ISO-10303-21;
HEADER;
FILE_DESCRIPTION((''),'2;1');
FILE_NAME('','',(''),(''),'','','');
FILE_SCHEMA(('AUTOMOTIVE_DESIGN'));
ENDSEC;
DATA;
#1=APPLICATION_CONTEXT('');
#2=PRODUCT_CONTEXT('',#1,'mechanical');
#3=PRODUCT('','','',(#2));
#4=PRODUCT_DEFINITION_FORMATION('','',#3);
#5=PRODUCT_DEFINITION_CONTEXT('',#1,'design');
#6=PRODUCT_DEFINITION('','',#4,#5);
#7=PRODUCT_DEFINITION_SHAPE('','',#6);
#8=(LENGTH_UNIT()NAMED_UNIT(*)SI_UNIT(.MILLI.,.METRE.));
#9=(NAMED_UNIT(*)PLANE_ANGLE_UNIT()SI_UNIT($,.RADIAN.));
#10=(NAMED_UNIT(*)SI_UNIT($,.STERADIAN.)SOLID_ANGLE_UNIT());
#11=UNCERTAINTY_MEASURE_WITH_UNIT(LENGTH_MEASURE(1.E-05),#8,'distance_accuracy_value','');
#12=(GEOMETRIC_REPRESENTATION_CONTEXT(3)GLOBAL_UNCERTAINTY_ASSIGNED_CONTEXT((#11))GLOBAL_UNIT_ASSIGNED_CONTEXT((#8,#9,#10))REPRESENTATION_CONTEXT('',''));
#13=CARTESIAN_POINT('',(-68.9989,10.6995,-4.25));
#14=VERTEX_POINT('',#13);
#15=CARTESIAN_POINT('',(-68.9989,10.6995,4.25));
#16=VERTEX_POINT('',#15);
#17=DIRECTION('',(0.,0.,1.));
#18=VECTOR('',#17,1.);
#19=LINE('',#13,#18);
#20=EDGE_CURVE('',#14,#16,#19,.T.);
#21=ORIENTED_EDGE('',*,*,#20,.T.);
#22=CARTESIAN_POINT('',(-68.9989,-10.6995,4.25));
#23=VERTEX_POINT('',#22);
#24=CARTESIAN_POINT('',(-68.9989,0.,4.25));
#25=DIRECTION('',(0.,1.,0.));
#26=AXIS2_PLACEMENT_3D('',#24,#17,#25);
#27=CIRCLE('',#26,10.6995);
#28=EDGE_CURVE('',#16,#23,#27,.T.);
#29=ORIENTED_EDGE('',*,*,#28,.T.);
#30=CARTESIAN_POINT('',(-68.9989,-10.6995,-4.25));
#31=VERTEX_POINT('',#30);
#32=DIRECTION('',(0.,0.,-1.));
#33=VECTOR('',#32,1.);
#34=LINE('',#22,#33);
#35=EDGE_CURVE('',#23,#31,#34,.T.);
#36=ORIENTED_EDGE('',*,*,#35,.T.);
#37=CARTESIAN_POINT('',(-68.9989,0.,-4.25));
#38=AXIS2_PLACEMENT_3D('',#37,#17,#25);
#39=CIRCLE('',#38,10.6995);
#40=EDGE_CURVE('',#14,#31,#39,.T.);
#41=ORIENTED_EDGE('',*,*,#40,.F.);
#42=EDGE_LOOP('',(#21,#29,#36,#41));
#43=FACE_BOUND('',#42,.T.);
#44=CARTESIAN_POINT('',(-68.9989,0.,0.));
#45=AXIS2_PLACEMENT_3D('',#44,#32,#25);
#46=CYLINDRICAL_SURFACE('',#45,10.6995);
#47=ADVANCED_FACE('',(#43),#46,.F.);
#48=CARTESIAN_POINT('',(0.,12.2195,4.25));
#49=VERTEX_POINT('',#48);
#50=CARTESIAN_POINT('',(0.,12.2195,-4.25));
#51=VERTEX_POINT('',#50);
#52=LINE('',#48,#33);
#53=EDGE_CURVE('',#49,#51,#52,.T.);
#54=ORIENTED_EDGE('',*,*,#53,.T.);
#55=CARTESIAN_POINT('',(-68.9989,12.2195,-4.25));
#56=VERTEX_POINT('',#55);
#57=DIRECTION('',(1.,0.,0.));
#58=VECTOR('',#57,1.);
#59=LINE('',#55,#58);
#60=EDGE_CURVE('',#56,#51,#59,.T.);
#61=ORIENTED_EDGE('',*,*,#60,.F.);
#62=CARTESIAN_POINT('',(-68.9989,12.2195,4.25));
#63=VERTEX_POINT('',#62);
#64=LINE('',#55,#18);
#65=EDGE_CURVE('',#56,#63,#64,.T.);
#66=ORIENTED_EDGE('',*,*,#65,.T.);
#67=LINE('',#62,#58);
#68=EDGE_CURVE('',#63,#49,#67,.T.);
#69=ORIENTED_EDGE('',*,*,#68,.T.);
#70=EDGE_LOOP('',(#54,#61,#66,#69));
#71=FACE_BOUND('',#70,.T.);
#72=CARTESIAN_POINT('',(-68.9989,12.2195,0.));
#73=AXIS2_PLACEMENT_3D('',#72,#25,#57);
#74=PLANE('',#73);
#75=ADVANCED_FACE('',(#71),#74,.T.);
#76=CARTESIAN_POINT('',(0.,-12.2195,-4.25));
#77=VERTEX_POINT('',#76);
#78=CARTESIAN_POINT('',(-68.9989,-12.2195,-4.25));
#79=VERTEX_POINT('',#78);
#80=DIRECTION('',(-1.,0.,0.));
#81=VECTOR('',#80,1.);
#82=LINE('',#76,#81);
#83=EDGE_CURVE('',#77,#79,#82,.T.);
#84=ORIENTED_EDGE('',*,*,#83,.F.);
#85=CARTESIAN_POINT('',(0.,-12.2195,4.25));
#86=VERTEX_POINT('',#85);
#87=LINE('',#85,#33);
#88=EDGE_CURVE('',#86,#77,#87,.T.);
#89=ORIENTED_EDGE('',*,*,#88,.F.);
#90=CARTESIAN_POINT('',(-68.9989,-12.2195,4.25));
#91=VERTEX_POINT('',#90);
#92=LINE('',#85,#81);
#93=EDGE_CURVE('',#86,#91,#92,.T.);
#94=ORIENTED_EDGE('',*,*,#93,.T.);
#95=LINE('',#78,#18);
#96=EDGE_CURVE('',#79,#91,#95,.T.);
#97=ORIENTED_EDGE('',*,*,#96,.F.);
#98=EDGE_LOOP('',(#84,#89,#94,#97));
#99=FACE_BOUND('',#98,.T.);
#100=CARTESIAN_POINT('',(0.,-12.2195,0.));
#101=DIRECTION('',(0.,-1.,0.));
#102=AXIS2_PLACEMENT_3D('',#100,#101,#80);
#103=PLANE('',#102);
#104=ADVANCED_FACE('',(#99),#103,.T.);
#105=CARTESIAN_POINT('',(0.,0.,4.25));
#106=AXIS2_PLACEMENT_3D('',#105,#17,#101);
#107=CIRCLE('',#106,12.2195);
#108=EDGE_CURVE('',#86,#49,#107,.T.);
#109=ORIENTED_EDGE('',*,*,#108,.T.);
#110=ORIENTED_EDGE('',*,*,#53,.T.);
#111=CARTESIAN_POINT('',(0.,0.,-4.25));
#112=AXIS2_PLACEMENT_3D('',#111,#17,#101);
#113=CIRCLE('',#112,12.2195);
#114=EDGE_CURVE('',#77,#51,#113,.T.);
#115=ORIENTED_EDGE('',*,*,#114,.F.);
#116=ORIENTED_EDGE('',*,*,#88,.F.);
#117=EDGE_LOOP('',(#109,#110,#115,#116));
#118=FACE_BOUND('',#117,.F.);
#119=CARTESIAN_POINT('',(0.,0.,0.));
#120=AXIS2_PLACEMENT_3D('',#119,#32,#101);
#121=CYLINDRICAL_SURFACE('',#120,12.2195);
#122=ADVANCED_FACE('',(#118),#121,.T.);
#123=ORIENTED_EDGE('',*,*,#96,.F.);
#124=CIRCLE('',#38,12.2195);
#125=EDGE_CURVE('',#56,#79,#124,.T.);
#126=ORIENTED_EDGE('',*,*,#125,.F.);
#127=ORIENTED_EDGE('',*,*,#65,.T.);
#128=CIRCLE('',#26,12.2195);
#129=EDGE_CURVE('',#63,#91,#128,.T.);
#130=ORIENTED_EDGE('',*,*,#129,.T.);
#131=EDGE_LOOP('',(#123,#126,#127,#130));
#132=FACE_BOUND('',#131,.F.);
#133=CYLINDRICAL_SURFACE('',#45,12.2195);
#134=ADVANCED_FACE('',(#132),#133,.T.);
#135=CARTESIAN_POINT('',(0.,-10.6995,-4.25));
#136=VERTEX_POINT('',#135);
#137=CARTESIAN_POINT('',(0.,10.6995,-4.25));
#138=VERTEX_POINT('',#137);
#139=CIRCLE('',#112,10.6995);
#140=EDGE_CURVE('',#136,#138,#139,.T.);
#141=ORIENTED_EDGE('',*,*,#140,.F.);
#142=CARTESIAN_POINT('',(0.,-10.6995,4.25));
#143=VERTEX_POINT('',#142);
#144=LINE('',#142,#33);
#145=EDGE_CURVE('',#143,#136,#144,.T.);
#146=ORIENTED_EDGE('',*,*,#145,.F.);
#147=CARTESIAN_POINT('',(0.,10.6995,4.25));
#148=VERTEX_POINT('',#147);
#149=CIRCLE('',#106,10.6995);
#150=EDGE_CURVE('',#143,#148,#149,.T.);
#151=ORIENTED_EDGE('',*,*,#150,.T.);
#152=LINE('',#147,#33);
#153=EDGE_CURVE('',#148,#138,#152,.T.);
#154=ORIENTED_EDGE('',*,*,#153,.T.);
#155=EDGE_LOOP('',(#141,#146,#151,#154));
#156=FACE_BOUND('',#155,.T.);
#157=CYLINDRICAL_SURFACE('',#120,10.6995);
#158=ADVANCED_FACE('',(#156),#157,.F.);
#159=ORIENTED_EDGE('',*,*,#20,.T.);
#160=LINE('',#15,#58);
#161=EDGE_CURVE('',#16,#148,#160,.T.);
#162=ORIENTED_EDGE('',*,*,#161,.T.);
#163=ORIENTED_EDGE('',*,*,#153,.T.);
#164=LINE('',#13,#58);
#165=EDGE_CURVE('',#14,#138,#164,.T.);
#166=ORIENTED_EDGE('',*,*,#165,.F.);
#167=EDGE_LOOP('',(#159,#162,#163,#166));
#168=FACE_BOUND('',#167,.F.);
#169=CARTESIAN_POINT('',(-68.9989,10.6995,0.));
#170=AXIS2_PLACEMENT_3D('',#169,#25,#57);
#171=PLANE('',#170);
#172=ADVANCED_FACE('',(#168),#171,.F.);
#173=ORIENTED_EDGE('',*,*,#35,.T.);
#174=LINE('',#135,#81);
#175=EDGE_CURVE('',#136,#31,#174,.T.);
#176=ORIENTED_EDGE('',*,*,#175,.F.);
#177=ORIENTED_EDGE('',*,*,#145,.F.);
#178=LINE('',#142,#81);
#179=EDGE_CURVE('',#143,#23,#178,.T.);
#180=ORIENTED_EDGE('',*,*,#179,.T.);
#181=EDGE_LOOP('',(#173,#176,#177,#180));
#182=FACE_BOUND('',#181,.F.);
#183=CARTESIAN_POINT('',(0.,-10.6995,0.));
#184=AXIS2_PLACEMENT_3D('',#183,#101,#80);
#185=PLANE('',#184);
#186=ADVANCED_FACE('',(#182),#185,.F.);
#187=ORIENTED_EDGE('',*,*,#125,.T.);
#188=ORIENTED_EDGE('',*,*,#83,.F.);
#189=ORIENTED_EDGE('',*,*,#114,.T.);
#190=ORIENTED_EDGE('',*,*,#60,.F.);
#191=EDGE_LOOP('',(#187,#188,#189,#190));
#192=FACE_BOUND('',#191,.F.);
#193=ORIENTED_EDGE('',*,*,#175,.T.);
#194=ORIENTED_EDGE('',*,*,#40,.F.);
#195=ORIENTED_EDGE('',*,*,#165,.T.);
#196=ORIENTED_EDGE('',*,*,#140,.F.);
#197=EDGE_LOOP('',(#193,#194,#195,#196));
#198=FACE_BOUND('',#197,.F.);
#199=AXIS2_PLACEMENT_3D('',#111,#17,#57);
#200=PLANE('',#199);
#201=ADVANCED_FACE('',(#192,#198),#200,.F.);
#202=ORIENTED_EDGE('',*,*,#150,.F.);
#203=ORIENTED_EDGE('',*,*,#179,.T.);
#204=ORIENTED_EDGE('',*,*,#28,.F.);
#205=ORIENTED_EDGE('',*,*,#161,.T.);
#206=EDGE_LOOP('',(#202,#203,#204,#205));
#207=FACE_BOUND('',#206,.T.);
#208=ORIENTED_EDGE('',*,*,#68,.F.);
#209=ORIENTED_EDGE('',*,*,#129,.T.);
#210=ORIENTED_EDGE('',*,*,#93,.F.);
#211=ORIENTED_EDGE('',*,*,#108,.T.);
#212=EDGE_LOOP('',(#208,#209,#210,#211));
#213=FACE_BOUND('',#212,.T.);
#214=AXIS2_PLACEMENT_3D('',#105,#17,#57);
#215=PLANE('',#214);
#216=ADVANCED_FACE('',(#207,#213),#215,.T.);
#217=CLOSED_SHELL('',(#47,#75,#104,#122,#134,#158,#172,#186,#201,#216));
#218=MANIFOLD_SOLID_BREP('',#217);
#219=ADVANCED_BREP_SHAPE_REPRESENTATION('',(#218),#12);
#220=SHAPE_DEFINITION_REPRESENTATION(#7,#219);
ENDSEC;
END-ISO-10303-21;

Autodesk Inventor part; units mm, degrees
ref_plane "YZ Plane" through (0, 0, 0) normal (1, 0, 0) x (0, 1, 0)
ref_plane "XZ Plane" through (0, 0, 0) normal (0, 1, 0) x (-1, 0, 0)
ref_plane "XY Plane" through (0, 0, 0) normal (0, 0, 1) x (1, 0, 0)
sketch "Sketch1" plane through (0, 0, 0) normal (0, 0, 1) x (1, 0, 0)
  arc A0 (0, -11.4595) -> (0, 11.4595) centre (0, 0) ccw construction
  arc A1 (-68.9989, 11.4595) -> (-68.9989, -11.4595) centre (-68.9989, 0) ccw construction
  line L0 (0, -11.4595) -> (-68.9989, -11.4595) construction
  line L1 (0, 11.4595) -> (-68.9989, 11.4595) construction
  dimension "Belt_Teeth" = 70
  dimension "Belt_Pitch2" = 3
  dimension "d0" = 22.919
  dimension "d1" = 22.919
  dimension "d2" = 36.0011
  dimension "d3" = 36.0011
  dimension "Center_Distance" = 68.9989
  dimension "d5" = 68.9989
sketch "Sketch2" plane through (0, 0, 0) normal (0, 0, 1) x (1, 0, 0)
  line L0 (35.7235, 34.2567) -> (38.7235, 34.2567)
  point P0 (0, 0)
  dimension "Belt_Pitch2" = 3
sketch "Sketch4" plane through (0, 0, 0) normal (0, 0, 1) x (1, 0, 0)
  line L0 (-16.1422, -21.869) -> (-14.1422, -21.869)
  line L1 (-16.1422, -21.869) -> (-16.1422, -20.349)
  arc A0 (-15.5872, -20.904) -> (-16.1422, -20.349) centre (-16.1422, -20.904) ccw
  line L2 (-15.5872, -20.904) -> (-15.5872, -20.959)
  arc A1 (-15.5872, -20.959) -> (-15.4372, -21.109) centre (-15.4372, -20.959) ccw
  line L3 (-15.4372, -21.109) -> (-14.8472, -21.109)
  line L4 (-14.1422, -21.869) -> (-14.1422, -20.349)
  arc A2 (-14.1422, -20.349) -> (-14.6972, -20.904) centre (-14.1422, -20.904) ccw
  arc A3 (-14.8472, -21.109) -> (-14.6972, -20.959) centre (-14.8472, -20.959) ccw
  line L5 (-14.6972, -20.959) -> (-14.6972, -20.904)
  line L6 (0, 11.4595) -> (-68.9989, 11.4595) construction
  arc A4 (-68.9989, 11.4595) -> (-68.9989, -11.4595) centre (-68.9989, 0) ccw construction
  line L7 (0, -11.4595) -> (-68.9989, -11.4595) construction
  arc A5 (0, -11.4595) -> (0, 11.4595) centre (0, 0) ccw construction
  arc A6 (-68.9989, 12.2195) -> (-68.9989, -12.2195) centre (-68.9989, 0) ccw
  line L8 (-68.9989, 12.2195) -> (0, 12.2195)
  arc A7 (0, -12.2195) -> (0, 12.2195) centre (0, 0) ccw
  line L9 (0, -12.2195) -> (-68.9989, -12.2195)
  arc A8 (-68.9989, 10.6995) -> (-68.9989, -10.6995) centre (-68.9989, 0) ccw
  line L10 (-68.9989, 10.6995) -> (0, 10.6995)
  arc A9 (0, -10.6995) -> (0, 10.6995) centre (0, 0) ccw
  line L11 (0, -10.6995) -> (-68.9989, -10.6995)
  point P0 (-15.1422, -21.109)
  point P1 (-15.1422, -21.869)
  dimension "d9" = 2
  dimension "d10" = 1.52
  dimension "d11" = 0.76
  dimension "d12" = 0.555
  dimension "d13" = 0.555
  dimension "d14" = 0.15
  dimension "d15" = 0.15
  dimension "belt_thickness" = 1.52
  dimension "d44" = 0.76
extrude "Extrusion2" add sketch "Sketch4" along normal mid plane 8.5 contours L8 A7 L9 A6
sketch "Sketch5" plane through (0, 0, 4.25) normal (0, 0, 1) x (1, 0, 0)
  line L0 (-68.9989, 10.6995) -> (0, 10.6995) construction
  arc A0 (0, -10.6995) -> (0, 10.6995) centre (0, 0) ccw construction
  line L1 (0, -10.6995) -> (-68.9989, -10.6995) construction
  arc A1 (-68.9989, 10.6995) -> (-68.9989, -10.6995) centre (-68.9989, 0) ccw construction
  arc A2 (-68.9989, 12.2195) -> (-68.9989, -12.2195) centre (-68.9989, 0) ccw construction
  line L2 (-68.9989, -12.2195) -> (0, -12.2195) construction
  arc A3 (0, -12.2195) -> (0, 12.2195) centre (0, 0) ccw construction
  line L3 (0, 12.2195) -> (-68.9989, 12.2195) construction
  line L4 (-7.7556, -2.6989) -> (-5.7556, -2.6989)
  line L5 (-7.7556, -2.6989) -> (-7.7556, -1.1789) construction
  arc A4 (-7.2006, -1.7339) -> (-7.7556, -1.1789) centre (-7.7556, -1.7339) ccw
  line L6 (-7.2006, -1.7339) -> (-7.2006, -1.7889)
  arc A5 (-7.2006, -1.7889) -> (-7.0506, -1.9389) centre (-7.0506, -1.7889) ccw
  line L7 (-7.0506, -1.9389) -> (-6.4606, -1.9389)
  line L8 (-5.7556, -2.6989) -> (-5.7556, -1.1789)
  arc A6 (-5.7556, -1.1789) -> (-6.3106, -1.7339) centre (-5.7556, -1.7339) ccw
  arc A7 (-6.4606, -1.9389) -> (-6.3106, -1.7889) centre (-6.4606, -1.7889) ccw
  line L9 (-6.3106, -1.7889) -> (-6.3106, -1.7339)
  line L10 (-8.3106, -1.7339) -> (-8.3106, -1.7889)
  arc A8 (-7.7556, -1.1789) -> (-8.3106, -1.7339) centre (-7.7556, -1.7339) ccw
  arc A9 (-8.4606, -1.9389) -> (-8.3106, -1.7889) centre (-8.4606, -1.7889) ccw
  line L11 (-8.4606, -1.9389) -> (-9.0506, -1.9389)
  line L12 (-7.7556, -2.6989) -> (-9.7556, -2.6989)
  line L13 (-9.2006, -1.7889) -> (-9.2006, -1.7339)
  arc A10 (-9.2006, -1.7339) -> (-9.7556, -1.1789) centre (-9.7556, -1.7339) ccw
  line L14 (-9.7556, -2.6989) -> (-9.7556, -1.1789)
  arc A11 (-9.2006, -1.7889) -> (-9.0506, -1.9389) centre (-9.0506, -1.7889) ccw
  line L15 (-17.66, -0.8495) -> (-14.922, -0.8495) construction
  line L16 (-14.922, -0.8495) -> (-14.922, -2.3671) construction
  line L17 (-14.922, -2.3671) -> (-17.66, -2.3671) construction
  line L18 (-17.66, -2.3671) -> (-17.66, -0.8495) construction
  arc A12 (-15.6383, -1.7102) -> (-16.7483, -1.7102) centre (-16.1933, -1.7102) ccw construction
  line L19 (-16.7483, -1.7102) -> (-16.7483, -1.7652) construction
  arc A13 (-16.8983, -1.9152) -> (-16.7483, -1.7652) centre (-16.8983, -1.7652) ccw construction
  line L20 (-16.7483, -1.7102) -> (-16.7483, -1.9152) construction
  line L21 (-15.6383, -1.7102) -> (-15.6383, -1.9152) construction
  point P0 (-6.7556, -1.9389)
  point P1 (-6.7556, -2.6989)
  point P2 (-8.7556, -2.6989)
  point P3 (-8.7556, -1.9389)
  dimension "d22" = 2
  dimension "d23" = 1.52
  dimension "d24" = 0.76
  dimension "d25" = 0.555
  dimension "d26" = 0.555
  dimension "d27" = 0.15
  dimension "d28" = 0.15
  dimension "d29" = 0.76
  dimension "d30" = 1
  dimension "d31" = 2
  dimension "d32" = 0.59
  dimension "d34" = 0.555
  dimension "d35" = 0
  dimension "d36" = 0
  dimension "d37" = 0.15
  dimension "d38" = 0.055
  dimension "d39" = 0.055
  dimension "d40" = 0
  dimension "d41" = 0
  dimension "d42" = 0.205
  dimension "d43" = 0.205
equation "\"d13\" = d12"
equation "\"d15\" = d14"
equation "\"d44\" = 0.5 * belt_thickness"
equation "\"d26\" = d25"
equation "\"d28\" = d27"
equation "\"d30\" = 0.5 * d22"
equation "\"d31\" = d22"
equation "\"d43\" = d42"
equation "\"Belt_Teeth\" = 70"
equation "\"Belt_Pitch\" = 3"
equation "\"HTD_5mm\" = 5"
equation "\"GT2_3mm\" = 3"
equation "\"Center_Distance_Copy\" = Center_Distance"
properties part number "GP3-004" material "Rubber"
